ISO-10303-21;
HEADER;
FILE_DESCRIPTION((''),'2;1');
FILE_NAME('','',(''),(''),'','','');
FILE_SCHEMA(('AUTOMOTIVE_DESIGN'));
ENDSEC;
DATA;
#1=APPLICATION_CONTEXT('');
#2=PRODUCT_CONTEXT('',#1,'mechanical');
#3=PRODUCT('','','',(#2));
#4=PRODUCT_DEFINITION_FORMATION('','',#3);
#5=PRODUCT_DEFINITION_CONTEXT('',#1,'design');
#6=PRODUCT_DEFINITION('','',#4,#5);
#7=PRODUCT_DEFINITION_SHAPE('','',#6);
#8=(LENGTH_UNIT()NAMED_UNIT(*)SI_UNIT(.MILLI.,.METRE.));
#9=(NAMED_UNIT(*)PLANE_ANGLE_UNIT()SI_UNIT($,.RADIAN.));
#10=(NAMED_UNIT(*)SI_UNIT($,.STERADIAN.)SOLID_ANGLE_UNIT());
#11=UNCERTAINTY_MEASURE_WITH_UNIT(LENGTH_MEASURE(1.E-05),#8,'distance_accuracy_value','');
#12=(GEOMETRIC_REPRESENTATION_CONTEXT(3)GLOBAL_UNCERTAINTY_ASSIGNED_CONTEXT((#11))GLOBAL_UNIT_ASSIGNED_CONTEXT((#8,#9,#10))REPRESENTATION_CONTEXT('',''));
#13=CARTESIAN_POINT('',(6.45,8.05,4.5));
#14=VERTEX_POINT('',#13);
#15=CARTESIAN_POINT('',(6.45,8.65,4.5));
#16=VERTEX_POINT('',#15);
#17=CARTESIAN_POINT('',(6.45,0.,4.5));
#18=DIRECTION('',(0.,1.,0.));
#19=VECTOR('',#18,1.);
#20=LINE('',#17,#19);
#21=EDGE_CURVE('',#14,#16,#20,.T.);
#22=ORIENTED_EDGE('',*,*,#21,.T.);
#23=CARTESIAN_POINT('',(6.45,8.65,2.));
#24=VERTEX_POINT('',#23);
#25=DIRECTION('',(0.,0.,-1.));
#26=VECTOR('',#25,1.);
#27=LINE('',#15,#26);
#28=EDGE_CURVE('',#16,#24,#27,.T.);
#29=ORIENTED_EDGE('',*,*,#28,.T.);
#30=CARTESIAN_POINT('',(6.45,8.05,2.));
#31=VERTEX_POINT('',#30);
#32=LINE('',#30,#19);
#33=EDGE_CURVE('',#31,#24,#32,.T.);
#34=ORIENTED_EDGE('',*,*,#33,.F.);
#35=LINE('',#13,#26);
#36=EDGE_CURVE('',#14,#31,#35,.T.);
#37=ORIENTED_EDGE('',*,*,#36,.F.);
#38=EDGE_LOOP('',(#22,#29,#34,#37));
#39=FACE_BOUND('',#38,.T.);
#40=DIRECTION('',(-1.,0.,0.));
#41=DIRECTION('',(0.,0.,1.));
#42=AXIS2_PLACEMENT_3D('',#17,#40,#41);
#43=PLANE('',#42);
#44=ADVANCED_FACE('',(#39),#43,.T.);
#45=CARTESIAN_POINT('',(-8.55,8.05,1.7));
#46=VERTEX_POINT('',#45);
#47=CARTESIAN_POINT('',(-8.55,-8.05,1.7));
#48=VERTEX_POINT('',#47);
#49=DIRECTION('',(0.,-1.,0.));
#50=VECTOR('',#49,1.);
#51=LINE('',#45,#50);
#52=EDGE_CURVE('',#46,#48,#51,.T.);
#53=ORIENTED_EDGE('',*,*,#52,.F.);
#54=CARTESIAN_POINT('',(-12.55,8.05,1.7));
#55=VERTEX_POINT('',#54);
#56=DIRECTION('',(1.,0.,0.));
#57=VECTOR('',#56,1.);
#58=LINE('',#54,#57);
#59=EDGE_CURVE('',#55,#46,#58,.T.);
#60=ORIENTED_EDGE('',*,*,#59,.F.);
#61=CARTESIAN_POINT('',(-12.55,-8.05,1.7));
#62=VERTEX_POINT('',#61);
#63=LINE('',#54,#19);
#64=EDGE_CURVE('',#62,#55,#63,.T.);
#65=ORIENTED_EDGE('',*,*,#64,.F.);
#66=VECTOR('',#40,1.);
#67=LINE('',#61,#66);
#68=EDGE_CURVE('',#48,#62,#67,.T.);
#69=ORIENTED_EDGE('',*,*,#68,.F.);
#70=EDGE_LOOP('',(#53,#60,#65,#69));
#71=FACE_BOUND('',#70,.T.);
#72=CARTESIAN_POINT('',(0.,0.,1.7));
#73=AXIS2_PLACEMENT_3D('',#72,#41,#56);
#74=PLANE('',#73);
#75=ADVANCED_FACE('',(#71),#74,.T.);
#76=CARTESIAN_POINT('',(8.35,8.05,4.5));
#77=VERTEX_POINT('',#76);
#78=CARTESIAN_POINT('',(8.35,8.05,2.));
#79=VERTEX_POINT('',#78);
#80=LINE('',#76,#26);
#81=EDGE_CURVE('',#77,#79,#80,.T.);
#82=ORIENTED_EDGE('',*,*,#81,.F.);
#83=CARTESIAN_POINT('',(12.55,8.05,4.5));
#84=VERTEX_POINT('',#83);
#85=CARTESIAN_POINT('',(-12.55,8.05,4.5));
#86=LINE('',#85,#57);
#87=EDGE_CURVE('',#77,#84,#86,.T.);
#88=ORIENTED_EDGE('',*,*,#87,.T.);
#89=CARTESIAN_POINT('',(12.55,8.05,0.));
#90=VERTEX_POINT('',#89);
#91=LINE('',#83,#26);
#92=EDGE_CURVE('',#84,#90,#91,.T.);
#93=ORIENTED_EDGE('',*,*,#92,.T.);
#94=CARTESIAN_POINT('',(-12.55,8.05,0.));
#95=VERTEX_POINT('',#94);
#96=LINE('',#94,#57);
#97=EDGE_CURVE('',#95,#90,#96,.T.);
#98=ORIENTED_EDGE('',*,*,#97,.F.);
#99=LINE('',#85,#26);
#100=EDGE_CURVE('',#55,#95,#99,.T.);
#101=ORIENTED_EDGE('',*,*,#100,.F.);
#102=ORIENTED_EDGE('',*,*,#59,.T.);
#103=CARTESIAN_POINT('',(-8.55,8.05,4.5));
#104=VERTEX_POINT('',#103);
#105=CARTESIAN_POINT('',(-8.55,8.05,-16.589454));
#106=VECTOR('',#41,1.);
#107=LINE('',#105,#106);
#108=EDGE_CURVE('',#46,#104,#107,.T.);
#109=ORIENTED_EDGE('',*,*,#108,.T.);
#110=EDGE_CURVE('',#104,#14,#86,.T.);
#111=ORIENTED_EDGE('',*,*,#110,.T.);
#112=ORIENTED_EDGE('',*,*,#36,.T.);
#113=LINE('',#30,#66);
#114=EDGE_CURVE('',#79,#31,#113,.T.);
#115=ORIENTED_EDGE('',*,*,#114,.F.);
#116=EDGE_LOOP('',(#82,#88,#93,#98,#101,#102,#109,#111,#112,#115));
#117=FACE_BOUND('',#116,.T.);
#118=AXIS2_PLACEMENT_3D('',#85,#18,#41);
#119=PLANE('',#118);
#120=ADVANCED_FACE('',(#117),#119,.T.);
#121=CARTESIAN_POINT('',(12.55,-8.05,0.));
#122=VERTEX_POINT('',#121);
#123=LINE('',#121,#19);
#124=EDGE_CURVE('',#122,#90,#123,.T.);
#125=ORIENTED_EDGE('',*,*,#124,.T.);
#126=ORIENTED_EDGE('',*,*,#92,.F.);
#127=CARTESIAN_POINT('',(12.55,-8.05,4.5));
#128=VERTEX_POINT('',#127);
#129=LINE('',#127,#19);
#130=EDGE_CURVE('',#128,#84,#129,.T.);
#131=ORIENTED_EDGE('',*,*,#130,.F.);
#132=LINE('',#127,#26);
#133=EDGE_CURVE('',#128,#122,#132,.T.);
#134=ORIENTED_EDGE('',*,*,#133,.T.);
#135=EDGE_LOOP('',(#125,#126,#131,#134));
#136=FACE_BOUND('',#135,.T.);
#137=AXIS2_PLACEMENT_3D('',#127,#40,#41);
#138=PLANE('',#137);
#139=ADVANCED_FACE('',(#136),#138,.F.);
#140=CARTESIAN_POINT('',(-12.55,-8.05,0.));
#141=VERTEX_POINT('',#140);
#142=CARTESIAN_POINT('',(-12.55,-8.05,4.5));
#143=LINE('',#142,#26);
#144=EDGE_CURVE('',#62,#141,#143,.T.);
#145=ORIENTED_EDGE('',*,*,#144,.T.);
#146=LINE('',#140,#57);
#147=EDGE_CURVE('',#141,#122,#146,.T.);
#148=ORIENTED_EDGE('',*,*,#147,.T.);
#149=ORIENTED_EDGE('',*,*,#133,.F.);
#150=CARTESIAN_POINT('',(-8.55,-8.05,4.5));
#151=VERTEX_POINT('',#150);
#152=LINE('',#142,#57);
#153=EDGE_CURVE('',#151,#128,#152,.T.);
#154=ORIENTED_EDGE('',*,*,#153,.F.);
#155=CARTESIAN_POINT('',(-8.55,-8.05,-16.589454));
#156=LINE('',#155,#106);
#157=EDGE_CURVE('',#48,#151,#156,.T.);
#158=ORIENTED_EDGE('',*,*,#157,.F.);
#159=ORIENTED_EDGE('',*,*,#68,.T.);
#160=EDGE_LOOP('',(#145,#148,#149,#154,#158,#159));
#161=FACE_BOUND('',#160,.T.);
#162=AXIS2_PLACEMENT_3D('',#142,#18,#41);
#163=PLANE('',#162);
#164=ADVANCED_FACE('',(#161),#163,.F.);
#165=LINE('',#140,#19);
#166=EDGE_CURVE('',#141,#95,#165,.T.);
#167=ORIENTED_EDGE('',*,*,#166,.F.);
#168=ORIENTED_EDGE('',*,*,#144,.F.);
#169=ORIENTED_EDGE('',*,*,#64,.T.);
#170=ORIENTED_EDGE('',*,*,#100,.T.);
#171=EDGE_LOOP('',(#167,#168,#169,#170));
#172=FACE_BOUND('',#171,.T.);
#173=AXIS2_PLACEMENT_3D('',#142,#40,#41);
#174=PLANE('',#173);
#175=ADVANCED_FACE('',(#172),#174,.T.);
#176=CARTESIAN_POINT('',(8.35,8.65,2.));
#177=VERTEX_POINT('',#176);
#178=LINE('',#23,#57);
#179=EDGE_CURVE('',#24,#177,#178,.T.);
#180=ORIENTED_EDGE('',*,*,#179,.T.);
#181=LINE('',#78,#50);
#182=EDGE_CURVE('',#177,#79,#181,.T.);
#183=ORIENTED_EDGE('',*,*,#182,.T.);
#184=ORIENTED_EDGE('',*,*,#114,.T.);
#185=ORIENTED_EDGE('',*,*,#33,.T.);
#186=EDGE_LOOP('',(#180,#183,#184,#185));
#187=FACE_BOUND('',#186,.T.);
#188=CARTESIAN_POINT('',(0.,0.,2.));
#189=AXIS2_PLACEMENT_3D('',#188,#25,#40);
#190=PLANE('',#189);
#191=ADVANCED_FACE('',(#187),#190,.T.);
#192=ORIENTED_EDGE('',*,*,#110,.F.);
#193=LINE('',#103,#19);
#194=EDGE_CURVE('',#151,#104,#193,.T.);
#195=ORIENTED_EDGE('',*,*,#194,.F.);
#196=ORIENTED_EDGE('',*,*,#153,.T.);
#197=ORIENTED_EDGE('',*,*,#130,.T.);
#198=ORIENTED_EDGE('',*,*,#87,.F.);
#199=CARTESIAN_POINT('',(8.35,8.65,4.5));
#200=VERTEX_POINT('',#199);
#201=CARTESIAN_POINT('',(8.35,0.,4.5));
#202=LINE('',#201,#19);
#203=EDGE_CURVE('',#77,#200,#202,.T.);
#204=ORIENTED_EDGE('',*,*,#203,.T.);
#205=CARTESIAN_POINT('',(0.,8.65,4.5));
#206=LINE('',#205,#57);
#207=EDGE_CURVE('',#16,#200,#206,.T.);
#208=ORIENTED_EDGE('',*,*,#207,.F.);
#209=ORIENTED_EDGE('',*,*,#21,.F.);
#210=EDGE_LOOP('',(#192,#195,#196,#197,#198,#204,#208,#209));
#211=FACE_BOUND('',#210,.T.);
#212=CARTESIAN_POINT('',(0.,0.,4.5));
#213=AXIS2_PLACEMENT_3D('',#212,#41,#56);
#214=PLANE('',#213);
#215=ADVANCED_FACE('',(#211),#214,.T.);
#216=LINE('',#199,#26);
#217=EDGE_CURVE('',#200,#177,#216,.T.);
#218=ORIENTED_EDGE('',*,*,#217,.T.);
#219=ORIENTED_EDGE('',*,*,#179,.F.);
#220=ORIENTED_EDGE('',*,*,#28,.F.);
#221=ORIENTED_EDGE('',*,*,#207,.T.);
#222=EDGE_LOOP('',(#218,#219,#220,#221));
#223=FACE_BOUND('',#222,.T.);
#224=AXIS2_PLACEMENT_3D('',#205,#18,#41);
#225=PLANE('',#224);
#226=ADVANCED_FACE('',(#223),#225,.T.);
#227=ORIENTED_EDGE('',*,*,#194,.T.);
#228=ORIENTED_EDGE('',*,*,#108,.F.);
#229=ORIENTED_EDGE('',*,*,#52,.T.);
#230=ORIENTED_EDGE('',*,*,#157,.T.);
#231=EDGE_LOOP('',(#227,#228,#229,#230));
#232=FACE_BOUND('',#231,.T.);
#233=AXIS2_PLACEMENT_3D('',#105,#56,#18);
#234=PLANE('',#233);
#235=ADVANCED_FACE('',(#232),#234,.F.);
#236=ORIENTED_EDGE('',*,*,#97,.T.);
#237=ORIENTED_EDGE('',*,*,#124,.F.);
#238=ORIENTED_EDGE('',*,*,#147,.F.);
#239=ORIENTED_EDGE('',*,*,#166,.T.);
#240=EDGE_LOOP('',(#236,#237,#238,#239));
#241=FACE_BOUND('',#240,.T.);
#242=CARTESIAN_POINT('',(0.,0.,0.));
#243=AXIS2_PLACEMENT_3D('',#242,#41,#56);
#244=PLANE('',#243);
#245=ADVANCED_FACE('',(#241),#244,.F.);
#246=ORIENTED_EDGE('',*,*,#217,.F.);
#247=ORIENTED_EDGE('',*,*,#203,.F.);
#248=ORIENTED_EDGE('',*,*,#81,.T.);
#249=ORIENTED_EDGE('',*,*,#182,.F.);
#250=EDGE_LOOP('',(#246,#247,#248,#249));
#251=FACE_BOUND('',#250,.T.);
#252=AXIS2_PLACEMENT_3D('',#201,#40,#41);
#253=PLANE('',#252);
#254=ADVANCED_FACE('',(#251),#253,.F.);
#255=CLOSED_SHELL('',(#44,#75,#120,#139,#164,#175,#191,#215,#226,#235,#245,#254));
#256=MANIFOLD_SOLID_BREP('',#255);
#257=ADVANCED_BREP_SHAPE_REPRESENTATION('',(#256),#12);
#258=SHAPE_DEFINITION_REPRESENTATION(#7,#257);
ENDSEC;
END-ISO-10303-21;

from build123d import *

# Parameters (mm, degrees)
SKETCH_1_W          = 25.1
SKETCH_1_H          = 16.1
SKETCH_1_W_2        = 1.9
SKETCH_1_H_2        = 0.6
EXTRUDE_1_DEPTH     = 4.5
SKETCH_2_W          = 1.9
SKETCH_2_H          = 0.6
CUT_EXTRUDE_1_DEPTH = 2
SKETCH_3_W          = 4
SKETCH_3_H          = 16.1
CUT_EXTRUDE_2_DEPTH = 2.8


with BuildPart() as part:
    # 草图1 → 凸台-拉伸1 (new body)
    with BuildSketch(Plane.XY):
        Rectangle(SKETCH_1_W, SKETCH_1_H)
        with Locations((7.4, 8.35)):
            Rectangle(SKETCH_1_W_2, SKETCH_1_H_2)
    extrude(amount=EXTRUDE_1_DEPTH)

    # 草图2 → 切除-拉伸1 (cut)
    with BuildSketch(Plane(origin=(0, 0, 0), x_dir=(-1, 0, 0), z_dir=(0, 0, -1))):
        with Locations((-7.4, 8.35)):
            Rectangle(SKETCH_2_W, SKETCH_2_H)
    extrude(amount=-CUT_EXTRUDE_1_DEPTH, mode=Mode.SUBTRACT)

    # 草图3 → 切除-拉伸2 (cut)
    with BuildSketch(Plane.XY.offset(4.5)):
        with Locations((-10.55, 0)):
            Rectangle(SKETCH_3_W, SKETCH_3_H)
    extrude(amount=-CUT_EXTRUDE_2_DEPTH, mode=Mode.SUBTRACT)


solid = part.part
